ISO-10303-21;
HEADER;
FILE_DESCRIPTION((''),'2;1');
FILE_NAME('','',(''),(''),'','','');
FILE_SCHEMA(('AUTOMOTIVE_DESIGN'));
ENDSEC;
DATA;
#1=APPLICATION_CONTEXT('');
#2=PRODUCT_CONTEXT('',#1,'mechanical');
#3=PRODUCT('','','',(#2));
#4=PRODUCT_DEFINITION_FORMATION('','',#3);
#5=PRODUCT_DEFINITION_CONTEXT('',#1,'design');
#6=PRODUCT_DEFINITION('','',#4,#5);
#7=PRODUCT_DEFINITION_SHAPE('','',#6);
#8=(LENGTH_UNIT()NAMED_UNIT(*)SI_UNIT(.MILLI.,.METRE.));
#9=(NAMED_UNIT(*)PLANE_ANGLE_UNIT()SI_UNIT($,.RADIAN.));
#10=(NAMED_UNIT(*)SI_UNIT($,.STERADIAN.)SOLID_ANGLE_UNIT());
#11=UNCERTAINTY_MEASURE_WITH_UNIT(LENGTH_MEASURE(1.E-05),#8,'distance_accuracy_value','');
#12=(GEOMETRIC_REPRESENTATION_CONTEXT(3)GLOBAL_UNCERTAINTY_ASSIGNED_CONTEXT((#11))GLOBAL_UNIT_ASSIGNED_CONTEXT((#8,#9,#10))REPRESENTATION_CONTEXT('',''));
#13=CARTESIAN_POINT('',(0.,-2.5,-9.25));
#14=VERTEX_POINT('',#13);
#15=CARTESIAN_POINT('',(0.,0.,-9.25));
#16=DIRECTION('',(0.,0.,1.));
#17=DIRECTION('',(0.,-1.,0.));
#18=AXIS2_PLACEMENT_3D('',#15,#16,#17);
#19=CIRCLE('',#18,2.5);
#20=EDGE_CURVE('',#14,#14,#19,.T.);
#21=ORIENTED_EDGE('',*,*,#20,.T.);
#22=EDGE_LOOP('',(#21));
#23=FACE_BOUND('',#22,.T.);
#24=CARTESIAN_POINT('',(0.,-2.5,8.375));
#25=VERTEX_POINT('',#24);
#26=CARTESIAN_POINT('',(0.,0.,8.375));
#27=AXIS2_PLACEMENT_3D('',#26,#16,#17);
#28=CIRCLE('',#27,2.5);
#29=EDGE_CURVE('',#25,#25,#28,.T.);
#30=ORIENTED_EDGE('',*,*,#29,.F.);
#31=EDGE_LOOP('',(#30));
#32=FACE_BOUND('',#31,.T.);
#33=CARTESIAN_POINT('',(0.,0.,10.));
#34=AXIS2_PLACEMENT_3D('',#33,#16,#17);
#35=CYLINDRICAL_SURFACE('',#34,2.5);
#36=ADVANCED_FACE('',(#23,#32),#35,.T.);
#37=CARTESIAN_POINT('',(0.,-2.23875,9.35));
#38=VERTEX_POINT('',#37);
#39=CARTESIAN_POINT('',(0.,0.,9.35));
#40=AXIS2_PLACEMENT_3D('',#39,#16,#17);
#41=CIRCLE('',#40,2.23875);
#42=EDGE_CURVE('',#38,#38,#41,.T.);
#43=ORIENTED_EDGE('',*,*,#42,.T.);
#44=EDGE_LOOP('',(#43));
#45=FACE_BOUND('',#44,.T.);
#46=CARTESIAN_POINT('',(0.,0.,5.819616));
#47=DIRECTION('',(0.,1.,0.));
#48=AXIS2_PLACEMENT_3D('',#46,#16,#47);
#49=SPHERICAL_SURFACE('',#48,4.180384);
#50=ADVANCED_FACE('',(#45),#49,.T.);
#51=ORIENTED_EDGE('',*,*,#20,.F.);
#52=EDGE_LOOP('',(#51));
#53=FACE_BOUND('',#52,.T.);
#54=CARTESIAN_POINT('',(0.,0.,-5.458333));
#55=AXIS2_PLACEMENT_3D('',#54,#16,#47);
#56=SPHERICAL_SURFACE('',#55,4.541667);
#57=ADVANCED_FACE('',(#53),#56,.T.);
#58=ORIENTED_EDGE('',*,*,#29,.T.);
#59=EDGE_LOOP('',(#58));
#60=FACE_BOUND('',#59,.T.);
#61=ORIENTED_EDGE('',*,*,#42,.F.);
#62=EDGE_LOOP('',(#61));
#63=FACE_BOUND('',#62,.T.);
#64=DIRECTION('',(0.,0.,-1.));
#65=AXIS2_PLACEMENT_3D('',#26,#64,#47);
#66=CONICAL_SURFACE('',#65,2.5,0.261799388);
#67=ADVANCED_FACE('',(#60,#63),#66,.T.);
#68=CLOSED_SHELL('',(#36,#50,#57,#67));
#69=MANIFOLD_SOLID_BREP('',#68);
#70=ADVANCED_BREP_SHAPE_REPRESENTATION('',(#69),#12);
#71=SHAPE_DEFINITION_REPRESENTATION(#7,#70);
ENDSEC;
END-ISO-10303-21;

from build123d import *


with BuildPart() as part:
    # Sketch3 → Revolve1 (revolve)
    with BuildSketch(Plane(origin=(0, 0, 0), x_dir=(0, 0, -1), z_dir=(1, 0, 0))):
        with BuildLine():
            Line((-10, 0), (10, 0))
            ThreePointArc((10, 0), (9.808461045, 1.305038314), (9.25, 2.5))
            Line((9.25, 2.5), (-8.375, 2.5))
            Line((-8.375, 2.5), (-9.35, 2.238749537))
            ThreePointArc((-9.35, 2.238749537), (-9.834212566, 1.165600649), (-10, 0))
        make_face()
    revolve(axis=Axis((0, 0, 10), (0, 0, -1)))


solid = part.part
